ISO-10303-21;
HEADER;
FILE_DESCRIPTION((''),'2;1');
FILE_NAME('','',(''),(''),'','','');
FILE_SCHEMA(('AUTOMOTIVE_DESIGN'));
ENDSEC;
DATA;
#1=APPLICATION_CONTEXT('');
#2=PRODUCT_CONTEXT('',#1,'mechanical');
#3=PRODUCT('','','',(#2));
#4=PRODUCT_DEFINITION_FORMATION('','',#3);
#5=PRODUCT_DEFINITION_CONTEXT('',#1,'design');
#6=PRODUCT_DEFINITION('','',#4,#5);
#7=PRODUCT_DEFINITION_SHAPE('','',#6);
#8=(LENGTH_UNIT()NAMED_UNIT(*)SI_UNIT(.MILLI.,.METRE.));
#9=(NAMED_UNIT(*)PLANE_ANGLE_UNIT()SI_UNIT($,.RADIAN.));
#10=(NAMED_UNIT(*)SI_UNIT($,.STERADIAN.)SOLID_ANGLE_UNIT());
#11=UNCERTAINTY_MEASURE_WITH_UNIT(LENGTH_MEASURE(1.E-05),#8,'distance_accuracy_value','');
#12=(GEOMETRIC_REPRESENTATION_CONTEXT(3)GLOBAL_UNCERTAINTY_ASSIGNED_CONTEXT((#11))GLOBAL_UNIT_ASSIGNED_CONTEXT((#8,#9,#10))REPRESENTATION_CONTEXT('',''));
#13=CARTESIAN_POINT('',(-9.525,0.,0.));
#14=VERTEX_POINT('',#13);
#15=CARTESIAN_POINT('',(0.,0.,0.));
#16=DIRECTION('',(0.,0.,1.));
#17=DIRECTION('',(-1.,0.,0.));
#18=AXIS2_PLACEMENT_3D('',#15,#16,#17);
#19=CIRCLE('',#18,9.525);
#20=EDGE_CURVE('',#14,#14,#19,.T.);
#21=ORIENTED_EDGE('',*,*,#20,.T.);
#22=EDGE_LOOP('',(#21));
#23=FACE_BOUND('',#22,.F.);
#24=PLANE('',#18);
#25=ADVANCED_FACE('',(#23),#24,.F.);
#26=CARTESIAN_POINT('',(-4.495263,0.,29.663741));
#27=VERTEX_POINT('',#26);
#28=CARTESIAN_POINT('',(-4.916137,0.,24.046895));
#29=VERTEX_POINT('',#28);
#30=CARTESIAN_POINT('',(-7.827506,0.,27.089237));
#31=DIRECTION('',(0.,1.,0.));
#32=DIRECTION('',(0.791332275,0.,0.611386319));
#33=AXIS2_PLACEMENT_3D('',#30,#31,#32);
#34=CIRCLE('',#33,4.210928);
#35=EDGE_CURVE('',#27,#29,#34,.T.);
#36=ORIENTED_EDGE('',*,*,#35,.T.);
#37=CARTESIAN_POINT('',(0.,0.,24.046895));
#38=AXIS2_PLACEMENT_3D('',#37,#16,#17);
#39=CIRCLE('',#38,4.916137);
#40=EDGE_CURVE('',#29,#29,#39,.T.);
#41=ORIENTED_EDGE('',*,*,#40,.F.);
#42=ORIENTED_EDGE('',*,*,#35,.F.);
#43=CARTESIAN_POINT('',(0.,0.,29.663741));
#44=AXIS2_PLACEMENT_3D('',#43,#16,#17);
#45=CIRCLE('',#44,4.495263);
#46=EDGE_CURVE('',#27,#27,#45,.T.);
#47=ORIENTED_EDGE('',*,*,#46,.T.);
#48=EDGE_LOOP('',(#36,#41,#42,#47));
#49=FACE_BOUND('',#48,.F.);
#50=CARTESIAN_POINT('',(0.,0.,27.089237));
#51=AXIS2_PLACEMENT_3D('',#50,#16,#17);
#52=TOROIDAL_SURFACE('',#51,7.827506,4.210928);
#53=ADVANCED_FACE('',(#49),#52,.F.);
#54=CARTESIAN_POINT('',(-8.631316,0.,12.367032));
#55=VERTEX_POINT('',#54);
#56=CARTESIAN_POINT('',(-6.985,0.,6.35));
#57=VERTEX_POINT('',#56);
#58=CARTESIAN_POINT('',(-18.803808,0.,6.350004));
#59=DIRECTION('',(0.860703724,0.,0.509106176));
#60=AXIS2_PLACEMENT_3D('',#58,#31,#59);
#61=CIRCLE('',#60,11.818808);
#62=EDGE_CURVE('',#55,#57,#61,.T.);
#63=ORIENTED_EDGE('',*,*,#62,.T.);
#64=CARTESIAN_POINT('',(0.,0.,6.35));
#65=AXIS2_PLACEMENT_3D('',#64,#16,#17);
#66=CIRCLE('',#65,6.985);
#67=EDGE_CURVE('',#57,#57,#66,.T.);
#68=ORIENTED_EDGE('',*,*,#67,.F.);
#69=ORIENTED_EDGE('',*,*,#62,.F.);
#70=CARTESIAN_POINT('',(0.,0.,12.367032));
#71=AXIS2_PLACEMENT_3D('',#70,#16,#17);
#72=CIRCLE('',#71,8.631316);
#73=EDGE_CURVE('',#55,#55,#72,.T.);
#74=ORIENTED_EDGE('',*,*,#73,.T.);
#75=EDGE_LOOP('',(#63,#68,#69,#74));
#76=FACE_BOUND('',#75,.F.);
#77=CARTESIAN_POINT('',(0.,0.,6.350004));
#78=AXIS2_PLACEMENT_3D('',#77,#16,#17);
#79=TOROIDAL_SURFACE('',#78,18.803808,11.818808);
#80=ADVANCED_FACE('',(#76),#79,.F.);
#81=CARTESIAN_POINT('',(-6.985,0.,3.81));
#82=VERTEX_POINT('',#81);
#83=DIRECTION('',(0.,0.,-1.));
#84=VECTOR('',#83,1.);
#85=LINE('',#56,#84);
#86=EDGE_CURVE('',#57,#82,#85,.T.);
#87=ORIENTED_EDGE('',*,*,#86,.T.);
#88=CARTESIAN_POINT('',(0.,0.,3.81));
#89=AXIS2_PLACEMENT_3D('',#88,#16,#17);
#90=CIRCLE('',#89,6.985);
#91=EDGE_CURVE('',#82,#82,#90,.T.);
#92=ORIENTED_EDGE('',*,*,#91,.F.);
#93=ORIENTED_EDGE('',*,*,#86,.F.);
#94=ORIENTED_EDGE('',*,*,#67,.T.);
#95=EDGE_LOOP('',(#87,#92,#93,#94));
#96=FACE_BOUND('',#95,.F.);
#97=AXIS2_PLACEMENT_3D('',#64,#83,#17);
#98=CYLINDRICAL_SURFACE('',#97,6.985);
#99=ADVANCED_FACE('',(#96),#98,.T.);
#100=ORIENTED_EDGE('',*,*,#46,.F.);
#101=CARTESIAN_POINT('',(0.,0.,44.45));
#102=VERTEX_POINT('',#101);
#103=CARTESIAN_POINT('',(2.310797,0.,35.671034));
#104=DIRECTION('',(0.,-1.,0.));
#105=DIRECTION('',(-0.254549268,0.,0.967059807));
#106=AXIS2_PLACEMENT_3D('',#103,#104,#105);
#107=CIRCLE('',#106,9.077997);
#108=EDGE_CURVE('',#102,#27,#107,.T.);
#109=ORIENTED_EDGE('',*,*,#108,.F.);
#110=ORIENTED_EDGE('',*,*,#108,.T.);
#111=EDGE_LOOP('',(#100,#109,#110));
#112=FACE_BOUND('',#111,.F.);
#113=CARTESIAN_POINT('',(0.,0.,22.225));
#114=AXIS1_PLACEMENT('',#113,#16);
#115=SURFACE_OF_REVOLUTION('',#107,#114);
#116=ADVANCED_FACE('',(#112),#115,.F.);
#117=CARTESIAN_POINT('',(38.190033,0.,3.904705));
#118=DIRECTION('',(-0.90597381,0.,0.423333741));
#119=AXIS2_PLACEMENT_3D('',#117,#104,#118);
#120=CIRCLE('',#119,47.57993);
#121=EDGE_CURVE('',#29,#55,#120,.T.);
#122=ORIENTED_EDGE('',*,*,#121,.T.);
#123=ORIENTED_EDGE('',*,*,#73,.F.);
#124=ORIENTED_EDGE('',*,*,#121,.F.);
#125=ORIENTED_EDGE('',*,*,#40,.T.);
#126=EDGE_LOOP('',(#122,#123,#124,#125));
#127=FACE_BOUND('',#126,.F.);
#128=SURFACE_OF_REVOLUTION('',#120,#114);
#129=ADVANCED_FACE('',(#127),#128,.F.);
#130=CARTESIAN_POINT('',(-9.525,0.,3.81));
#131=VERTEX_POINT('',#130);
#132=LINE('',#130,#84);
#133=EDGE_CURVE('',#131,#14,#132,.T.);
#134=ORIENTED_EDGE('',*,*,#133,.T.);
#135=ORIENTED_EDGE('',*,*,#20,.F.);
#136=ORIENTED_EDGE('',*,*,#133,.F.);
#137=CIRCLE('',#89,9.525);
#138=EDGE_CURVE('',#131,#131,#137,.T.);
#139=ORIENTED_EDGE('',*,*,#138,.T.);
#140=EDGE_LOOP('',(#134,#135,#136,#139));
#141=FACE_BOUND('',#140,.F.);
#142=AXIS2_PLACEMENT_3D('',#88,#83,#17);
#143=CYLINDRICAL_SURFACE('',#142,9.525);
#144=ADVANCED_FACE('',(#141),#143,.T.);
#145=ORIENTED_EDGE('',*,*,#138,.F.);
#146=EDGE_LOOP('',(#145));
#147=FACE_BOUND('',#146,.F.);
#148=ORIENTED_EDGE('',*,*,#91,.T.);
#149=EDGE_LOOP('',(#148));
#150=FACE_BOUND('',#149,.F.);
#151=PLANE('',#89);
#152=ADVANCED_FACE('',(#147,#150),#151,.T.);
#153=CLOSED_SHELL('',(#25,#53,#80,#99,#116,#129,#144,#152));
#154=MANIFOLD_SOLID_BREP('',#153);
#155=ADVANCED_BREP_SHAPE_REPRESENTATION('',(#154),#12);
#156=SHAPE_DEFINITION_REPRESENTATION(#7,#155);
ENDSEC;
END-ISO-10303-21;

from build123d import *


with BuildPart() as f1:
    # F0 (on Front) → F1 (revolve)
    with BuildSketch(Plane.XZ):
        with BuildLine():
            Line((-9.525, 0), (0, 0))
            Line((0, 0), (0, 44.45))
            ThreePointArc((0, 44.45), (-6.374687, 38.311562), (-4.495263, 29.663741))
            ThreePointArc((-4.495263, 29.663741), (-3.62835, 26.774591), (-4.916137, 24.046895))
            ThreePointArc((-4.916137, 24.046895), (-7.151388, 18.327092), (-8.631316, 12.367032))
            ThreePointArc((-8.631316, 12.367032), (-7.404006, 9.469096), (-6.985, 6.35))
            Line((-6.985, 6.35), (-6.985, 3.81))
            Line((-6.985, 3.81), (-9.525, 3.81))
            Line((-9.525, 3.81), (-9.525, 0))
        make_face()
    revolve(axis=Axis((0, 0, 22.225), (0, 0, 1)))


solid = f1.part
